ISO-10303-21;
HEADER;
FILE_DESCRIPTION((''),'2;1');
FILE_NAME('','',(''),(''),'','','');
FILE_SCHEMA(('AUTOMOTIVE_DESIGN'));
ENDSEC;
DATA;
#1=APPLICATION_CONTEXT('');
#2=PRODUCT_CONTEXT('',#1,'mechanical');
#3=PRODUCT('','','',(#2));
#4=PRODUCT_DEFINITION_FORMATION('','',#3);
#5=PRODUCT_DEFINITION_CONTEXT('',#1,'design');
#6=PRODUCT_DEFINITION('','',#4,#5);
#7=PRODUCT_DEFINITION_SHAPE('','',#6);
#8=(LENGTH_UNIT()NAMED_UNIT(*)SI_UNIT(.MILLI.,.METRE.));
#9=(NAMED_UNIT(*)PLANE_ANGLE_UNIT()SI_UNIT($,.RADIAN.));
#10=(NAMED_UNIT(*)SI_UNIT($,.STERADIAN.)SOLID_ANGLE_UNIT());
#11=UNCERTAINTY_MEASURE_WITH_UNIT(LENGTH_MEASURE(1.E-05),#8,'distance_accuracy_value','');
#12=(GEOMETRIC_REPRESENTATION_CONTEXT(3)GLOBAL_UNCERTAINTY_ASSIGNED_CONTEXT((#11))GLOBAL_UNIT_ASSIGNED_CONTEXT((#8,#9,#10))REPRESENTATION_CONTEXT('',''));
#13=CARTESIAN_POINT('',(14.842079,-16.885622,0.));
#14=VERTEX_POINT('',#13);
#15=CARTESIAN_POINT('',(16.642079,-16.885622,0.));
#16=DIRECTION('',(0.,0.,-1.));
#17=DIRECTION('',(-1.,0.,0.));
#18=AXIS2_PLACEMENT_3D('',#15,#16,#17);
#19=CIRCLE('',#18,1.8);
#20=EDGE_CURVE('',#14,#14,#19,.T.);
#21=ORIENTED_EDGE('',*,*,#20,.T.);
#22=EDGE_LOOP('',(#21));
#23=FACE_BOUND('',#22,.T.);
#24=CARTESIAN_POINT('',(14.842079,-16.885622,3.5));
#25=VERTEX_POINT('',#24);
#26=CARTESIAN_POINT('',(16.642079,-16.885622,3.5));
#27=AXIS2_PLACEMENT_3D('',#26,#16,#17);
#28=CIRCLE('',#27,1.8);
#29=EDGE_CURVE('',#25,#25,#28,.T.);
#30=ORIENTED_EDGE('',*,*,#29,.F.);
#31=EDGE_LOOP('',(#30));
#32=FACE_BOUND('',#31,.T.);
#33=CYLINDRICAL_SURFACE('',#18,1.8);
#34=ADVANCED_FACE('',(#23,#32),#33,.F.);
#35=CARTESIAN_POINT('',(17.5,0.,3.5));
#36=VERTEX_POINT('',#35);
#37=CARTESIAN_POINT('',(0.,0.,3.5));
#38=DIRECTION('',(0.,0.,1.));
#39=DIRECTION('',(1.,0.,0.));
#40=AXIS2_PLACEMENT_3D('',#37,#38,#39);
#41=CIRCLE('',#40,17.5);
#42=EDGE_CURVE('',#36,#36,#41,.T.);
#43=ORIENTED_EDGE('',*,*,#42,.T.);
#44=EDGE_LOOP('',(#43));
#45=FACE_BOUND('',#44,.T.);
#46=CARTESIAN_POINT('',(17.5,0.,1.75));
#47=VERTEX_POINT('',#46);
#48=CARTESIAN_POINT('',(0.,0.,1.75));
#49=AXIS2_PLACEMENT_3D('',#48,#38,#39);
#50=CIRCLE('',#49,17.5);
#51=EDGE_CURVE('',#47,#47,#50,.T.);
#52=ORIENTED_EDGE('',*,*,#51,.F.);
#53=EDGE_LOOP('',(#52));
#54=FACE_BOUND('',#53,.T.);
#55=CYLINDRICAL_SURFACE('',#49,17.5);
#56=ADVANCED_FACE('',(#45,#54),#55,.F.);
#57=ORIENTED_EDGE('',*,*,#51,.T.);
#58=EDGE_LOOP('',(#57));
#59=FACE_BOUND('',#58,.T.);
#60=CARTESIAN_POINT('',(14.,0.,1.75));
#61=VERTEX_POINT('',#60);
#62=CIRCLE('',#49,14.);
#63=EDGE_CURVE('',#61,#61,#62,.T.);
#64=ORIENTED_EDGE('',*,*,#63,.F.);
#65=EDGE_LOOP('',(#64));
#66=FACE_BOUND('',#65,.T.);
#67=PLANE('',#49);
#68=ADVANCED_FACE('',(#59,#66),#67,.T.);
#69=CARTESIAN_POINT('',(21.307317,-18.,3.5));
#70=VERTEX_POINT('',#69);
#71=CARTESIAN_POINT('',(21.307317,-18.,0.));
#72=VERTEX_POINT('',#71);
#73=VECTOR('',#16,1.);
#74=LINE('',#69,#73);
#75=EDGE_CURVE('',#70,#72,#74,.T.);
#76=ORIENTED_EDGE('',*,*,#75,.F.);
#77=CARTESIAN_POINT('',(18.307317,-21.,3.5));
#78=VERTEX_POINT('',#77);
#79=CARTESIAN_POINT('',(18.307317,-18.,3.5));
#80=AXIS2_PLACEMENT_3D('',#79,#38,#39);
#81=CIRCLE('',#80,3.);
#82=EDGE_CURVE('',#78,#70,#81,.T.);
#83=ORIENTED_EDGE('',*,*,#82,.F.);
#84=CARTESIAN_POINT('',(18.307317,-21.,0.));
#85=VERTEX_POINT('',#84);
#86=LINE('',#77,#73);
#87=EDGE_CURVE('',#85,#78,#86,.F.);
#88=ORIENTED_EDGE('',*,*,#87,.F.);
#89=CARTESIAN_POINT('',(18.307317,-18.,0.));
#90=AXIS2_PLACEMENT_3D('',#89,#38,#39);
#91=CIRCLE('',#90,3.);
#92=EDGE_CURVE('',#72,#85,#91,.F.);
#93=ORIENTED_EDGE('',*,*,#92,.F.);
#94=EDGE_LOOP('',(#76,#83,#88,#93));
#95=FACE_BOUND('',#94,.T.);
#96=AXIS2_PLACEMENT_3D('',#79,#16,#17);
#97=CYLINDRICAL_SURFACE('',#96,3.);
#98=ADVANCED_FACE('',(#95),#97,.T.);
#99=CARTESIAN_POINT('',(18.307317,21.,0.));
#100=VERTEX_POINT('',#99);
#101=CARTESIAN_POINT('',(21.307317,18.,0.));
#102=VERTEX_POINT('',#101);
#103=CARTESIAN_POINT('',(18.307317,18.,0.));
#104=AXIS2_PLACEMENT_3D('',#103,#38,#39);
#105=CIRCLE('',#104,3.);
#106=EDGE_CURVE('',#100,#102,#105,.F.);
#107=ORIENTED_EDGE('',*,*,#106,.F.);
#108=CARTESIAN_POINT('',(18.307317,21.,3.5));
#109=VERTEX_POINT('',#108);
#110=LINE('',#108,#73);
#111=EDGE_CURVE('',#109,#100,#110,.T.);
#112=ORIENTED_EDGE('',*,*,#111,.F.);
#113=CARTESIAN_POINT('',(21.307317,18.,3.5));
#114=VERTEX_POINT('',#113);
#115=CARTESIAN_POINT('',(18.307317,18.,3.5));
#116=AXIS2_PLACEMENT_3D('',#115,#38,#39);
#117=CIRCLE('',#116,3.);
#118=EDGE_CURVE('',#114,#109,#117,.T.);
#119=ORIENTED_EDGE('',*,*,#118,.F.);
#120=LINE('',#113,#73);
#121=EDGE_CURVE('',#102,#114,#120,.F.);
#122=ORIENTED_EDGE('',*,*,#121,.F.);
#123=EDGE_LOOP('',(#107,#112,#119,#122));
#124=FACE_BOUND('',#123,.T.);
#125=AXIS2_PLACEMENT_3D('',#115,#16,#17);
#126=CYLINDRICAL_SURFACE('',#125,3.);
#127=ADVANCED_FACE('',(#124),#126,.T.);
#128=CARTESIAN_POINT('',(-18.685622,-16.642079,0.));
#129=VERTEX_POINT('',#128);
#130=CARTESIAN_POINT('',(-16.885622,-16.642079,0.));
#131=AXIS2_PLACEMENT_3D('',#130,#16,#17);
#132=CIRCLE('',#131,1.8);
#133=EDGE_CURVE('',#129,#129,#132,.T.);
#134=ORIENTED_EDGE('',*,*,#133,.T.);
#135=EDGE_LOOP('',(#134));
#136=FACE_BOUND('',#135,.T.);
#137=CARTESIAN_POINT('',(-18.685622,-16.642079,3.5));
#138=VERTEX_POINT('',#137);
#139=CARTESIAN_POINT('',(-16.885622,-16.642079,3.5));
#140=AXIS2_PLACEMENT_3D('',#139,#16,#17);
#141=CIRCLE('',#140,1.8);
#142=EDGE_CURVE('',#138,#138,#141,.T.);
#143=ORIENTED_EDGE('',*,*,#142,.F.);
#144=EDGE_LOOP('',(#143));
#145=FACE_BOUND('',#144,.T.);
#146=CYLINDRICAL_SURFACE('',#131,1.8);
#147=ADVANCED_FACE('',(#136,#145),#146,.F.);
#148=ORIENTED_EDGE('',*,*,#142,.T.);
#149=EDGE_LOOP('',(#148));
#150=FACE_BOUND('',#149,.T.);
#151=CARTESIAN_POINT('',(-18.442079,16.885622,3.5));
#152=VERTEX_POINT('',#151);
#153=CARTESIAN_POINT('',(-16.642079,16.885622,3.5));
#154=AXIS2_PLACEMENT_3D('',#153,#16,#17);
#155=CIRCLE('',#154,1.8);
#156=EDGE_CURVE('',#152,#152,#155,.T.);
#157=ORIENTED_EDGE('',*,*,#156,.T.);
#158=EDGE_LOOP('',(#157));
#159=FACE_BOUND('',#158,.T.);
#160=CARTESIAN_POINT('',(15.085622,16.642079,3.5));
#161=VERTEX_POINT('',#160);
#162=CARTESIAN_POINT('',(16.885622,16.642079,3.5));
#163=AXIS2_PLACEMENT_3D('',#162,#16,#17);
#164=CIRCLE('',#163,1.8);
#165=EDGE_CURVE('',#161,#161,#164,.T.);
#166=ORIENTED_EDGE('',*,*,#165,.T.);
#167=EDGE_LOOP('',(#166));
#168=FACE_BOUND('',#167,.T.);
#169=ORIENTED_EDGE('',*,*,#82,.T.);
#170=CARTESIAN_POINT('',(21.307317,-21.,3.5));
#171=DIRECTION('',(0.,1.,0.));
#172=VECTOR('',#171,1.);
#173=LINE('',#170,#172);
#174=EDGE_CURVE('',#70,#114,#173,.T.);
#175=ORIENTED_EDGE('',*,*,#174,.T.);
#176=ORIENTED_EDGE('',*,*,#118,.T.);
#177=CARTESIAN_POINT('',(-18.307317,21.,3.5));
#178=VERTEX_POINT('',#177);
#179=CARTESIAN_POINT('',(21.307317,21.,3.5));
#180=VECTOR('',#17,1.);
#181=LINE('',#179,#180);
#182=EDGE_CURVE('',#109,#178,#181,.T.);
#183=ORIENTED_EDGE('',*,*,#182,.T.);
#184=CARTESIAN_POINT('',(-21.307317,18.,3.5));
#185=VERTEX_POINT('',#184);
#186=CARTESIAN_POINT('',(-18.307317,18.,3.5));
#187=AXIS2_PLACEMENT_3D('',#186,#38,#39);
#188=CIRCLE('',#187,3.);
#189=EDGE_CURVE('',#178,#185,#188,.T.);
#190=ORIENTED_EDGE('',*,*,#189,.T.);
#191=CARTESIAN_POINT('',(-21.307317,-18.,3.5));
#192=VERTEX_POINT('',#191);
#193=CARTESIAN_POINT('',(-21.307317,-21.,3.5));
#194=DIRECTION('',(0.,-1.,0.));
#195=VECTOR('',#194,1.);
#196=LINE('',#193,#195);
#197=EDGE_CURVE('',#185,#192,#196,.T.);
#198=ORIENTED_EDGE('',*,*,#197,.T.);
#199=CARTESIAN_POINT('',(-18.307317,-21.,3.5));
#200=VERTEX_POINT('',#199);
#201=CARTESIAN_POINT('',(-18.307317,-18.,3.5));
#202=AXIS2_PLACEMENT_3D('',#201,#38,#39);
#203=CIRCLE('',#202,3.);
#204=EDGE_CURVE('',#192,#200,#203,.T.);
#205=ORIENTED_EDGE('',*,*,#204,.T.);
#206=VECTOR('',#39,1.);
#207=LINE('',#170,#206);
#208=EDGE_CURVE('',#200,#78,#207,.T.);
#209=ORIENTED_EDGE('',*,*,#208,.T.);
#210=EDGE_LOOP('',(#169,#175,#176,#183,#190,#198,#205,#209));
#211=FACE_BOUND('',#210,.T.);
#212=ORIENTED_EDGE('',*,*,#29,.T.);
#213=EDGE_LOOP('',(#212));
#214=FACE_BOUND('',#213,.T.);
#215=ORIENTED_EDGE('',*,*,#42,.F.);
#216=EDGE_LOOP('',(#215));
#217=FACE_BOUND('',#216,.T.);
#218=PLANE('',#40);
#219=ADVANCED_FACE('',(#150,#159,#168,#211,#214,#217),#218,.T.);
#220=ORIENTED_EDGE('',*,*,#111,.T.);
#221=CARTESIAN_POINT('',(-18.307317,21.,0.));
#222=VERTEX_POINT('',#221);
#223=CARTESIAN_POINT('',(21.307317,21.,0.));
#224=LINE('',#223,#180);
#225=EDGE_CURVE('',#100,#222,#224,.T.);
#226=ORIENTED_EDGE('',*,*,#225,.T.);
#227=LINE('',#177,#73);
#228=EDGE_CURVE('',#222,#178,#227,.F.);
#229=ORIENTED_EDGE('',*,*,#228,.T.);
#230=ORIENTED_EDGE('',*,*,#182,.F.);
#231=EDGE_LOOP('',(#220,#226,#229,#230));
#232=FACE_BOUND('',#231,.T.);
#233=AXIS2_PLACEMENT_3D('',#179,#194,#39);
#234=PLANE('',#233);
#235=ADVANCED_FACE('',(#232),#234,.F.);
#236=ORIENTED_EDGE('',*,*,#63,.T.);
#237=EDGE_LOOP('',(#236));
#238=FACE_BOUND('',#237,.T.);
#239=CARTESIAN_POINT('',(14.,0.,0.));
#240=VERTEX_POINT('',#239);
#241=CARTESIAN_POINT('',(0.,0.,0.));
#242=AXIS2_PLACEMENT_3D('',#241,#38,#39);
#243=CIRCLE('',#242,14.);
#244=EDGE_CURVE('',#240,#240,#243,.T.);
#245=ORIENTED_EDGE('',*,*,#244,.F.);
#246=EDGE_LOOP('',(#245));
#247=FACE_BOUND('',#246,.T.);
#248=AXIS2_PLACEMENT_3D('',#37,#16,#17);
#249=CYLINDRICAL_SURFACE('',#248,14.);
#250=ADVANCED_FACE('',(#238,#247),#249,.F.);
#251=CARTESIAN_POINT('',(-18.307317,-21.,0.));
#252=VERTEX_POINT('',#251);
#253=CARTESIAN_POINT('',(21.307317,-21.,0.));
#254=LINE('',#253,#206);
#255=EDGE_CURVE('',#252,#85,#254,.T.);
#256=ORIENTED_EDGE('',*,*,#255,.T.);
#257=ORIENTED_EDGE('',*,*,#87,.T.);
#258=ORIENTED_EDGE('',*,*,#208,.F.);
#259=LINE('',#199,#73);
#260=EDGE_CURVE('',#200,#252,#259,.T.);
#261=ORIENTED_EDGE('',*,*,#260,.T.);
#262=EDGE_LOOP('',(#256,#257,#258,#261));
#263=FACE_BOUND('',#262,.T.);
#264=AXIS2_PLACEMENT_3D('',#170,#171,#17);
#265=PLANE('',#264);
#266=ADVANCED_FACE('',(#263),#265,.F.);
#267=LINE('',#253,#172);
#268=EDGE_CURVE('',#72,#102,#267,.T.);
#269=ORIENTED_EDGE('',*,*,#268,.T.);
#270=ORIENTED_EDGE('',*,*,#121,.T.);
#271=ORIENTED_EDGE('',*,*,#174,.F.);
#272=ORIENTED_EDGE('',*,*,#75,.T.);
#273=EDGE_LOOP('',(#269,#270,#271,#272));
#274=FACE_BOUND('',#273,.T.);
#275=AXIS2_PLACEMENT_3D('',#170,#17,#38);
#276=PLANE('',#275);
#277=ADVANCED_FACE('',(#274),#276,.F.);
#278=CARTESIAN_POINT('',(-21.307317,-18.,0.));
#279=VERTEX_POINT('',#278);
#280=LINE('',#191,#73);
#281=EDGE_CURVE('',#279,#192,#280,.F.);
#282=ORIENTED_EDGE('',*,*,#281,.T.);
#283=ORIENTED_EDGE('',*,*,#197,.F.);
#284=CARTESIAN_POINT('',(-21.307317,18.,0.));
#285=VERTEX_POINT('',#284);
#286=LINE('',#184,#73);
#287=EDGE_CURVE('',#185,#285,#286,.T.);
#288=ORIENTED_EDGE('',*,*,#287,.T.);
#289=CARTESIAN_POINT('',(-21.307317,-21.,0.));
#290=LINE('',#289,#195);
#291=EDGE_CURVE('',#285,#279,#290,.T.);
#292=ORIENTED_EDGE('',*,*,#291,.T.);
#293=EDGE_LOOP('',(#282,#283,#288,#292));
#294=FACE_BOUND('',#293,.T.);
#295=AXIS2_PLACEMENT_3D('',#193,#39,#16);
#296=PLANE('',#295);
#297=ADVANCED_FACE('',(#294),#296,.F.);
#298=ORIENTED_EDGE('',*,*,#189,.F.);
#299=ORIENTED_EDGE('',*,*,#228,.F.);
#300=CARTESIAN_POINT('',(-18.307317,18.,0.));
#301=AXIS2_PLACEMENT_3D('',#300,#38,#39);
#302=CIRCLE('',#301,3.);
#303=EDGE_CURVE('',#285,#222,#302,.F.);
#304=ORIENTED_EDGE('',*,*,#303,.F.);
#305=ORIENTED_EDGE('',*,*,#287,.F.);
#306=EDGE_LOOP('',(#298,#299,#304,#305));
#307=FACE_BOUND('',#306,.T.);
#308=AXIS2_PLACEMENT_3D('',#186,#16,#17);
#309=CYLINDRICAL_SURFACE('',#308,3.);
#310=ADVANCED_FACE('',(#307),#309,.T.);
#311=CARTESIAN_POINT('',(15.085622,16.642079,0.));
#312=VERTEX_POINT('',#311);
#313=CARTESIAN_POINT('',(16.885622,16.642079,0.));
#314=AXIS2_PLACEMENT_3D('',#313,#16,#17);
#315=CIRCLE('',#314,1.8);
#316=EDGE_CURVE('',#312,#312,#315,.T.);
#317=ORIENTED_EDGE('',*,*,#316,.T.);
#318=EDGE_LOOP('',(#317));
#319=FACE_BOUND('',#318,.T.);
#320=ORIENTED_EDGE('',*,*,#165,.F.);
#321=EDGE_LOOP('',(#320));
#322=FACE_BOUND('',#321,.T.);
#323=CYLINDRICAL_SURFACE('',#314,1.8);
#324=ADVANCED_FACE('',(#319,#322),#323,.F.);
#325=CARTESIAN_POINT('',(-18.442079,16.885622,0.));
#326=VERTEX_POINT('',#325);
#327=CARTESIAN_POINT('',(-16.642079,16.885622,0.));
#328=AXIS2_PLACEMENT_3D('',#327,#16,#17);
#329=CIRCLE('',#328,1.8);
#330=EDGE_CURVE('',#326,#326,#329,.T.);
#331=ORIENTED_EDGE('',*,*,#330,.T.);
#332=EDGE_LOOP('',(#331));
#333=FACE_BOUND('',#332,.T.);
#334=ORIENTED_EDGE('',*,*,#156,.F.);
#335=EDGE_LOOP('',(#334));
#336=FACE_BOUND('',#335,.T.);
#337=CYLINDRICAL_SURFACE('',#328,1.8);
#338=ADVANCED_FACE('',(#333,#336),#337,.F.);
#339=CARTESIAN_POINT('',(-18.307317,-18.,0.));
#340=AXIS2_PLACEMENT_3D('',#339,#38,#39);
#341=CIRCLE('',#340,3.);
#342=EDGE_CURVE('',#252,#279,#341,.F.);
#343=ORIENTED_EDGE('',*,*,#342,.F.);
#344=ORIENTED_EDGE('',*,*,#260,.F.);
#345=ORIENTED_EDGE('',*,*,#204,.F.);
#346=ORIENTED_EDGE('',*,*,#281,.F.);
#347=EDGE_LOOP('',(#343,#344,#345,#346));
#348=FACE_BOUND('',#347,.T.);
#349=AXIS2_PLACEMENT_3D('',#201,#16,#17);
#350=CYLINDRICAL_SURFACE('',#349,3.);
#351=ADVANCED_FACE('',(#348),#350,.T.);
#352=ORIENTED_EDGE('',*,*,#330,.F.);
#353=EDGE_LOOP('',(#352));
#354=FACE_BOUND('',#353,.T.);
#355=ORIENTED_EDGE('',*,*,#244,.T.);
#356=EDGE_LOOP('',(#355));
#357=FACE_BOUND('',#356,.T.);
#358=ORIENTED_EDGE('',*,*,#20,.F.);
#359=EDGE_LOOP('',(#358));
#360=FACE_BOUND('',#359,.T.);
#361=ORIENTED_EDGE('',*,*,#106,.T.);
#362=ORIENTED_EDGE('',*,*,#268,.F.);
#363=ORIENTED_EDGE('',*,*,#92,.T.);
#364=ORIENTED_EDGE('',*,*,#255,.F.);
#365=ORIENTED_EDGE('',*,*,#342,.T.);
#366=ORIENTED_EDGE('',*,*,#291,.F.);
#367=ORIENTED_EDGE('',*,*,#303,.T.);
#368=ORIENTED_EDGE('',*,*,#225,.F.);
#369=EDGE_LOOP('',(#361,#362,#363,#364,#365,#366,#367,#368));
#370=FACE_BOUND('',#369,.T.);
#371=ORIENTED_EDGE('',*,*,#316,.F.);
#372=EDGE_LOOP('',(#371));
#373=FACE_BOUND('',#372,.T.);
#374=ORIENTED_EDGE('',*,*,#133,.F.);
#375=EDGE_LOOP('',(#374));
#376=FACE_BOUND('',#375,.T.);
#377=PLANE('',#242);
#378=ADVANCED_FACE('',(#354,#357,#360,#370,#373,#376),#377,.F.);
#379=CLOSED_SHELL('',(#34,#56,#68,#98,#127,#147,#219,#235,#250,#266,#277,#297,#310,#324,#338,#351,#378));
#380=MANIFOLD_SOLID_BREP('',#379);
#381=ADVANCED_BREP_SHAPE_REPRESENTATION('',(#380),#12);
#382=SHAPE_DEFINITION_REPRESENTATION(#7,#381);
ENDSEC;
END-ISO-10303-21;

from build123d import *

# Parameters (mm, degrees)
SKETCH1_W            = 42.614634146
SKETCH1_H            = 42
SKETCH1_R            = 14
BOSS_EXTRUDE1_DEPTH  = 3.5
SKETCH2_R            = 17.5
CUT_EXTRUDE1_DEPTH   = 1.75
M3_CLEARANCE_HOLE1_D = 3.6
FILLET1_R            = 3


with BuildPart() as part:
    # Sketch1 → Boss-Extrude1 (new body)
    with BuildSketch(Plane.XY):
        Rectangle(SKETCH1_W, SKETCH1_H)
        Circle(SKETCH1_R, mode=Mode.SUBTRACT)
    extrude(amount=BOSS_EXTRUDE1_DEPTH)

    # Sketch2 → Cut-Extrude1 (cut)
    with BuildSketch(Plane.XY.offset(3.5)):
        Circle(SKETCH2_R)
    extrude(amount=-CUT_EXTRUDE1_DEPTH, mode=Mode.SUBTRACT)

    # M3 Clearance Hole1 (through all)
    with Locations(Plane(origin=(0, 0, 0), x_dir=(-1, 0, 0), z_dir=(0, 0, -1))):
        with Locations((-16.642079068, -16.885621688), (-16.885621688, 16.642079068), (16.642079068, 16.885621688), (16.885621688, -16.642079068)):
            Hole(M3_CLEARANCE_HOLE1_D / 2)

    # Fillet1
    fillet1_edges = [part.edges().sort_by_distance(p)[0] for p in [
        (-21.307317073, 21, 1.75),
        (21.307317073, 21, 1.75),
        (21.307317073, -21, 1.75),
        (-21.307317073, -21, 1.75),
    ]]
    fillet(fillet1_edges, radius=FILLET1_R)


solid = part.part
